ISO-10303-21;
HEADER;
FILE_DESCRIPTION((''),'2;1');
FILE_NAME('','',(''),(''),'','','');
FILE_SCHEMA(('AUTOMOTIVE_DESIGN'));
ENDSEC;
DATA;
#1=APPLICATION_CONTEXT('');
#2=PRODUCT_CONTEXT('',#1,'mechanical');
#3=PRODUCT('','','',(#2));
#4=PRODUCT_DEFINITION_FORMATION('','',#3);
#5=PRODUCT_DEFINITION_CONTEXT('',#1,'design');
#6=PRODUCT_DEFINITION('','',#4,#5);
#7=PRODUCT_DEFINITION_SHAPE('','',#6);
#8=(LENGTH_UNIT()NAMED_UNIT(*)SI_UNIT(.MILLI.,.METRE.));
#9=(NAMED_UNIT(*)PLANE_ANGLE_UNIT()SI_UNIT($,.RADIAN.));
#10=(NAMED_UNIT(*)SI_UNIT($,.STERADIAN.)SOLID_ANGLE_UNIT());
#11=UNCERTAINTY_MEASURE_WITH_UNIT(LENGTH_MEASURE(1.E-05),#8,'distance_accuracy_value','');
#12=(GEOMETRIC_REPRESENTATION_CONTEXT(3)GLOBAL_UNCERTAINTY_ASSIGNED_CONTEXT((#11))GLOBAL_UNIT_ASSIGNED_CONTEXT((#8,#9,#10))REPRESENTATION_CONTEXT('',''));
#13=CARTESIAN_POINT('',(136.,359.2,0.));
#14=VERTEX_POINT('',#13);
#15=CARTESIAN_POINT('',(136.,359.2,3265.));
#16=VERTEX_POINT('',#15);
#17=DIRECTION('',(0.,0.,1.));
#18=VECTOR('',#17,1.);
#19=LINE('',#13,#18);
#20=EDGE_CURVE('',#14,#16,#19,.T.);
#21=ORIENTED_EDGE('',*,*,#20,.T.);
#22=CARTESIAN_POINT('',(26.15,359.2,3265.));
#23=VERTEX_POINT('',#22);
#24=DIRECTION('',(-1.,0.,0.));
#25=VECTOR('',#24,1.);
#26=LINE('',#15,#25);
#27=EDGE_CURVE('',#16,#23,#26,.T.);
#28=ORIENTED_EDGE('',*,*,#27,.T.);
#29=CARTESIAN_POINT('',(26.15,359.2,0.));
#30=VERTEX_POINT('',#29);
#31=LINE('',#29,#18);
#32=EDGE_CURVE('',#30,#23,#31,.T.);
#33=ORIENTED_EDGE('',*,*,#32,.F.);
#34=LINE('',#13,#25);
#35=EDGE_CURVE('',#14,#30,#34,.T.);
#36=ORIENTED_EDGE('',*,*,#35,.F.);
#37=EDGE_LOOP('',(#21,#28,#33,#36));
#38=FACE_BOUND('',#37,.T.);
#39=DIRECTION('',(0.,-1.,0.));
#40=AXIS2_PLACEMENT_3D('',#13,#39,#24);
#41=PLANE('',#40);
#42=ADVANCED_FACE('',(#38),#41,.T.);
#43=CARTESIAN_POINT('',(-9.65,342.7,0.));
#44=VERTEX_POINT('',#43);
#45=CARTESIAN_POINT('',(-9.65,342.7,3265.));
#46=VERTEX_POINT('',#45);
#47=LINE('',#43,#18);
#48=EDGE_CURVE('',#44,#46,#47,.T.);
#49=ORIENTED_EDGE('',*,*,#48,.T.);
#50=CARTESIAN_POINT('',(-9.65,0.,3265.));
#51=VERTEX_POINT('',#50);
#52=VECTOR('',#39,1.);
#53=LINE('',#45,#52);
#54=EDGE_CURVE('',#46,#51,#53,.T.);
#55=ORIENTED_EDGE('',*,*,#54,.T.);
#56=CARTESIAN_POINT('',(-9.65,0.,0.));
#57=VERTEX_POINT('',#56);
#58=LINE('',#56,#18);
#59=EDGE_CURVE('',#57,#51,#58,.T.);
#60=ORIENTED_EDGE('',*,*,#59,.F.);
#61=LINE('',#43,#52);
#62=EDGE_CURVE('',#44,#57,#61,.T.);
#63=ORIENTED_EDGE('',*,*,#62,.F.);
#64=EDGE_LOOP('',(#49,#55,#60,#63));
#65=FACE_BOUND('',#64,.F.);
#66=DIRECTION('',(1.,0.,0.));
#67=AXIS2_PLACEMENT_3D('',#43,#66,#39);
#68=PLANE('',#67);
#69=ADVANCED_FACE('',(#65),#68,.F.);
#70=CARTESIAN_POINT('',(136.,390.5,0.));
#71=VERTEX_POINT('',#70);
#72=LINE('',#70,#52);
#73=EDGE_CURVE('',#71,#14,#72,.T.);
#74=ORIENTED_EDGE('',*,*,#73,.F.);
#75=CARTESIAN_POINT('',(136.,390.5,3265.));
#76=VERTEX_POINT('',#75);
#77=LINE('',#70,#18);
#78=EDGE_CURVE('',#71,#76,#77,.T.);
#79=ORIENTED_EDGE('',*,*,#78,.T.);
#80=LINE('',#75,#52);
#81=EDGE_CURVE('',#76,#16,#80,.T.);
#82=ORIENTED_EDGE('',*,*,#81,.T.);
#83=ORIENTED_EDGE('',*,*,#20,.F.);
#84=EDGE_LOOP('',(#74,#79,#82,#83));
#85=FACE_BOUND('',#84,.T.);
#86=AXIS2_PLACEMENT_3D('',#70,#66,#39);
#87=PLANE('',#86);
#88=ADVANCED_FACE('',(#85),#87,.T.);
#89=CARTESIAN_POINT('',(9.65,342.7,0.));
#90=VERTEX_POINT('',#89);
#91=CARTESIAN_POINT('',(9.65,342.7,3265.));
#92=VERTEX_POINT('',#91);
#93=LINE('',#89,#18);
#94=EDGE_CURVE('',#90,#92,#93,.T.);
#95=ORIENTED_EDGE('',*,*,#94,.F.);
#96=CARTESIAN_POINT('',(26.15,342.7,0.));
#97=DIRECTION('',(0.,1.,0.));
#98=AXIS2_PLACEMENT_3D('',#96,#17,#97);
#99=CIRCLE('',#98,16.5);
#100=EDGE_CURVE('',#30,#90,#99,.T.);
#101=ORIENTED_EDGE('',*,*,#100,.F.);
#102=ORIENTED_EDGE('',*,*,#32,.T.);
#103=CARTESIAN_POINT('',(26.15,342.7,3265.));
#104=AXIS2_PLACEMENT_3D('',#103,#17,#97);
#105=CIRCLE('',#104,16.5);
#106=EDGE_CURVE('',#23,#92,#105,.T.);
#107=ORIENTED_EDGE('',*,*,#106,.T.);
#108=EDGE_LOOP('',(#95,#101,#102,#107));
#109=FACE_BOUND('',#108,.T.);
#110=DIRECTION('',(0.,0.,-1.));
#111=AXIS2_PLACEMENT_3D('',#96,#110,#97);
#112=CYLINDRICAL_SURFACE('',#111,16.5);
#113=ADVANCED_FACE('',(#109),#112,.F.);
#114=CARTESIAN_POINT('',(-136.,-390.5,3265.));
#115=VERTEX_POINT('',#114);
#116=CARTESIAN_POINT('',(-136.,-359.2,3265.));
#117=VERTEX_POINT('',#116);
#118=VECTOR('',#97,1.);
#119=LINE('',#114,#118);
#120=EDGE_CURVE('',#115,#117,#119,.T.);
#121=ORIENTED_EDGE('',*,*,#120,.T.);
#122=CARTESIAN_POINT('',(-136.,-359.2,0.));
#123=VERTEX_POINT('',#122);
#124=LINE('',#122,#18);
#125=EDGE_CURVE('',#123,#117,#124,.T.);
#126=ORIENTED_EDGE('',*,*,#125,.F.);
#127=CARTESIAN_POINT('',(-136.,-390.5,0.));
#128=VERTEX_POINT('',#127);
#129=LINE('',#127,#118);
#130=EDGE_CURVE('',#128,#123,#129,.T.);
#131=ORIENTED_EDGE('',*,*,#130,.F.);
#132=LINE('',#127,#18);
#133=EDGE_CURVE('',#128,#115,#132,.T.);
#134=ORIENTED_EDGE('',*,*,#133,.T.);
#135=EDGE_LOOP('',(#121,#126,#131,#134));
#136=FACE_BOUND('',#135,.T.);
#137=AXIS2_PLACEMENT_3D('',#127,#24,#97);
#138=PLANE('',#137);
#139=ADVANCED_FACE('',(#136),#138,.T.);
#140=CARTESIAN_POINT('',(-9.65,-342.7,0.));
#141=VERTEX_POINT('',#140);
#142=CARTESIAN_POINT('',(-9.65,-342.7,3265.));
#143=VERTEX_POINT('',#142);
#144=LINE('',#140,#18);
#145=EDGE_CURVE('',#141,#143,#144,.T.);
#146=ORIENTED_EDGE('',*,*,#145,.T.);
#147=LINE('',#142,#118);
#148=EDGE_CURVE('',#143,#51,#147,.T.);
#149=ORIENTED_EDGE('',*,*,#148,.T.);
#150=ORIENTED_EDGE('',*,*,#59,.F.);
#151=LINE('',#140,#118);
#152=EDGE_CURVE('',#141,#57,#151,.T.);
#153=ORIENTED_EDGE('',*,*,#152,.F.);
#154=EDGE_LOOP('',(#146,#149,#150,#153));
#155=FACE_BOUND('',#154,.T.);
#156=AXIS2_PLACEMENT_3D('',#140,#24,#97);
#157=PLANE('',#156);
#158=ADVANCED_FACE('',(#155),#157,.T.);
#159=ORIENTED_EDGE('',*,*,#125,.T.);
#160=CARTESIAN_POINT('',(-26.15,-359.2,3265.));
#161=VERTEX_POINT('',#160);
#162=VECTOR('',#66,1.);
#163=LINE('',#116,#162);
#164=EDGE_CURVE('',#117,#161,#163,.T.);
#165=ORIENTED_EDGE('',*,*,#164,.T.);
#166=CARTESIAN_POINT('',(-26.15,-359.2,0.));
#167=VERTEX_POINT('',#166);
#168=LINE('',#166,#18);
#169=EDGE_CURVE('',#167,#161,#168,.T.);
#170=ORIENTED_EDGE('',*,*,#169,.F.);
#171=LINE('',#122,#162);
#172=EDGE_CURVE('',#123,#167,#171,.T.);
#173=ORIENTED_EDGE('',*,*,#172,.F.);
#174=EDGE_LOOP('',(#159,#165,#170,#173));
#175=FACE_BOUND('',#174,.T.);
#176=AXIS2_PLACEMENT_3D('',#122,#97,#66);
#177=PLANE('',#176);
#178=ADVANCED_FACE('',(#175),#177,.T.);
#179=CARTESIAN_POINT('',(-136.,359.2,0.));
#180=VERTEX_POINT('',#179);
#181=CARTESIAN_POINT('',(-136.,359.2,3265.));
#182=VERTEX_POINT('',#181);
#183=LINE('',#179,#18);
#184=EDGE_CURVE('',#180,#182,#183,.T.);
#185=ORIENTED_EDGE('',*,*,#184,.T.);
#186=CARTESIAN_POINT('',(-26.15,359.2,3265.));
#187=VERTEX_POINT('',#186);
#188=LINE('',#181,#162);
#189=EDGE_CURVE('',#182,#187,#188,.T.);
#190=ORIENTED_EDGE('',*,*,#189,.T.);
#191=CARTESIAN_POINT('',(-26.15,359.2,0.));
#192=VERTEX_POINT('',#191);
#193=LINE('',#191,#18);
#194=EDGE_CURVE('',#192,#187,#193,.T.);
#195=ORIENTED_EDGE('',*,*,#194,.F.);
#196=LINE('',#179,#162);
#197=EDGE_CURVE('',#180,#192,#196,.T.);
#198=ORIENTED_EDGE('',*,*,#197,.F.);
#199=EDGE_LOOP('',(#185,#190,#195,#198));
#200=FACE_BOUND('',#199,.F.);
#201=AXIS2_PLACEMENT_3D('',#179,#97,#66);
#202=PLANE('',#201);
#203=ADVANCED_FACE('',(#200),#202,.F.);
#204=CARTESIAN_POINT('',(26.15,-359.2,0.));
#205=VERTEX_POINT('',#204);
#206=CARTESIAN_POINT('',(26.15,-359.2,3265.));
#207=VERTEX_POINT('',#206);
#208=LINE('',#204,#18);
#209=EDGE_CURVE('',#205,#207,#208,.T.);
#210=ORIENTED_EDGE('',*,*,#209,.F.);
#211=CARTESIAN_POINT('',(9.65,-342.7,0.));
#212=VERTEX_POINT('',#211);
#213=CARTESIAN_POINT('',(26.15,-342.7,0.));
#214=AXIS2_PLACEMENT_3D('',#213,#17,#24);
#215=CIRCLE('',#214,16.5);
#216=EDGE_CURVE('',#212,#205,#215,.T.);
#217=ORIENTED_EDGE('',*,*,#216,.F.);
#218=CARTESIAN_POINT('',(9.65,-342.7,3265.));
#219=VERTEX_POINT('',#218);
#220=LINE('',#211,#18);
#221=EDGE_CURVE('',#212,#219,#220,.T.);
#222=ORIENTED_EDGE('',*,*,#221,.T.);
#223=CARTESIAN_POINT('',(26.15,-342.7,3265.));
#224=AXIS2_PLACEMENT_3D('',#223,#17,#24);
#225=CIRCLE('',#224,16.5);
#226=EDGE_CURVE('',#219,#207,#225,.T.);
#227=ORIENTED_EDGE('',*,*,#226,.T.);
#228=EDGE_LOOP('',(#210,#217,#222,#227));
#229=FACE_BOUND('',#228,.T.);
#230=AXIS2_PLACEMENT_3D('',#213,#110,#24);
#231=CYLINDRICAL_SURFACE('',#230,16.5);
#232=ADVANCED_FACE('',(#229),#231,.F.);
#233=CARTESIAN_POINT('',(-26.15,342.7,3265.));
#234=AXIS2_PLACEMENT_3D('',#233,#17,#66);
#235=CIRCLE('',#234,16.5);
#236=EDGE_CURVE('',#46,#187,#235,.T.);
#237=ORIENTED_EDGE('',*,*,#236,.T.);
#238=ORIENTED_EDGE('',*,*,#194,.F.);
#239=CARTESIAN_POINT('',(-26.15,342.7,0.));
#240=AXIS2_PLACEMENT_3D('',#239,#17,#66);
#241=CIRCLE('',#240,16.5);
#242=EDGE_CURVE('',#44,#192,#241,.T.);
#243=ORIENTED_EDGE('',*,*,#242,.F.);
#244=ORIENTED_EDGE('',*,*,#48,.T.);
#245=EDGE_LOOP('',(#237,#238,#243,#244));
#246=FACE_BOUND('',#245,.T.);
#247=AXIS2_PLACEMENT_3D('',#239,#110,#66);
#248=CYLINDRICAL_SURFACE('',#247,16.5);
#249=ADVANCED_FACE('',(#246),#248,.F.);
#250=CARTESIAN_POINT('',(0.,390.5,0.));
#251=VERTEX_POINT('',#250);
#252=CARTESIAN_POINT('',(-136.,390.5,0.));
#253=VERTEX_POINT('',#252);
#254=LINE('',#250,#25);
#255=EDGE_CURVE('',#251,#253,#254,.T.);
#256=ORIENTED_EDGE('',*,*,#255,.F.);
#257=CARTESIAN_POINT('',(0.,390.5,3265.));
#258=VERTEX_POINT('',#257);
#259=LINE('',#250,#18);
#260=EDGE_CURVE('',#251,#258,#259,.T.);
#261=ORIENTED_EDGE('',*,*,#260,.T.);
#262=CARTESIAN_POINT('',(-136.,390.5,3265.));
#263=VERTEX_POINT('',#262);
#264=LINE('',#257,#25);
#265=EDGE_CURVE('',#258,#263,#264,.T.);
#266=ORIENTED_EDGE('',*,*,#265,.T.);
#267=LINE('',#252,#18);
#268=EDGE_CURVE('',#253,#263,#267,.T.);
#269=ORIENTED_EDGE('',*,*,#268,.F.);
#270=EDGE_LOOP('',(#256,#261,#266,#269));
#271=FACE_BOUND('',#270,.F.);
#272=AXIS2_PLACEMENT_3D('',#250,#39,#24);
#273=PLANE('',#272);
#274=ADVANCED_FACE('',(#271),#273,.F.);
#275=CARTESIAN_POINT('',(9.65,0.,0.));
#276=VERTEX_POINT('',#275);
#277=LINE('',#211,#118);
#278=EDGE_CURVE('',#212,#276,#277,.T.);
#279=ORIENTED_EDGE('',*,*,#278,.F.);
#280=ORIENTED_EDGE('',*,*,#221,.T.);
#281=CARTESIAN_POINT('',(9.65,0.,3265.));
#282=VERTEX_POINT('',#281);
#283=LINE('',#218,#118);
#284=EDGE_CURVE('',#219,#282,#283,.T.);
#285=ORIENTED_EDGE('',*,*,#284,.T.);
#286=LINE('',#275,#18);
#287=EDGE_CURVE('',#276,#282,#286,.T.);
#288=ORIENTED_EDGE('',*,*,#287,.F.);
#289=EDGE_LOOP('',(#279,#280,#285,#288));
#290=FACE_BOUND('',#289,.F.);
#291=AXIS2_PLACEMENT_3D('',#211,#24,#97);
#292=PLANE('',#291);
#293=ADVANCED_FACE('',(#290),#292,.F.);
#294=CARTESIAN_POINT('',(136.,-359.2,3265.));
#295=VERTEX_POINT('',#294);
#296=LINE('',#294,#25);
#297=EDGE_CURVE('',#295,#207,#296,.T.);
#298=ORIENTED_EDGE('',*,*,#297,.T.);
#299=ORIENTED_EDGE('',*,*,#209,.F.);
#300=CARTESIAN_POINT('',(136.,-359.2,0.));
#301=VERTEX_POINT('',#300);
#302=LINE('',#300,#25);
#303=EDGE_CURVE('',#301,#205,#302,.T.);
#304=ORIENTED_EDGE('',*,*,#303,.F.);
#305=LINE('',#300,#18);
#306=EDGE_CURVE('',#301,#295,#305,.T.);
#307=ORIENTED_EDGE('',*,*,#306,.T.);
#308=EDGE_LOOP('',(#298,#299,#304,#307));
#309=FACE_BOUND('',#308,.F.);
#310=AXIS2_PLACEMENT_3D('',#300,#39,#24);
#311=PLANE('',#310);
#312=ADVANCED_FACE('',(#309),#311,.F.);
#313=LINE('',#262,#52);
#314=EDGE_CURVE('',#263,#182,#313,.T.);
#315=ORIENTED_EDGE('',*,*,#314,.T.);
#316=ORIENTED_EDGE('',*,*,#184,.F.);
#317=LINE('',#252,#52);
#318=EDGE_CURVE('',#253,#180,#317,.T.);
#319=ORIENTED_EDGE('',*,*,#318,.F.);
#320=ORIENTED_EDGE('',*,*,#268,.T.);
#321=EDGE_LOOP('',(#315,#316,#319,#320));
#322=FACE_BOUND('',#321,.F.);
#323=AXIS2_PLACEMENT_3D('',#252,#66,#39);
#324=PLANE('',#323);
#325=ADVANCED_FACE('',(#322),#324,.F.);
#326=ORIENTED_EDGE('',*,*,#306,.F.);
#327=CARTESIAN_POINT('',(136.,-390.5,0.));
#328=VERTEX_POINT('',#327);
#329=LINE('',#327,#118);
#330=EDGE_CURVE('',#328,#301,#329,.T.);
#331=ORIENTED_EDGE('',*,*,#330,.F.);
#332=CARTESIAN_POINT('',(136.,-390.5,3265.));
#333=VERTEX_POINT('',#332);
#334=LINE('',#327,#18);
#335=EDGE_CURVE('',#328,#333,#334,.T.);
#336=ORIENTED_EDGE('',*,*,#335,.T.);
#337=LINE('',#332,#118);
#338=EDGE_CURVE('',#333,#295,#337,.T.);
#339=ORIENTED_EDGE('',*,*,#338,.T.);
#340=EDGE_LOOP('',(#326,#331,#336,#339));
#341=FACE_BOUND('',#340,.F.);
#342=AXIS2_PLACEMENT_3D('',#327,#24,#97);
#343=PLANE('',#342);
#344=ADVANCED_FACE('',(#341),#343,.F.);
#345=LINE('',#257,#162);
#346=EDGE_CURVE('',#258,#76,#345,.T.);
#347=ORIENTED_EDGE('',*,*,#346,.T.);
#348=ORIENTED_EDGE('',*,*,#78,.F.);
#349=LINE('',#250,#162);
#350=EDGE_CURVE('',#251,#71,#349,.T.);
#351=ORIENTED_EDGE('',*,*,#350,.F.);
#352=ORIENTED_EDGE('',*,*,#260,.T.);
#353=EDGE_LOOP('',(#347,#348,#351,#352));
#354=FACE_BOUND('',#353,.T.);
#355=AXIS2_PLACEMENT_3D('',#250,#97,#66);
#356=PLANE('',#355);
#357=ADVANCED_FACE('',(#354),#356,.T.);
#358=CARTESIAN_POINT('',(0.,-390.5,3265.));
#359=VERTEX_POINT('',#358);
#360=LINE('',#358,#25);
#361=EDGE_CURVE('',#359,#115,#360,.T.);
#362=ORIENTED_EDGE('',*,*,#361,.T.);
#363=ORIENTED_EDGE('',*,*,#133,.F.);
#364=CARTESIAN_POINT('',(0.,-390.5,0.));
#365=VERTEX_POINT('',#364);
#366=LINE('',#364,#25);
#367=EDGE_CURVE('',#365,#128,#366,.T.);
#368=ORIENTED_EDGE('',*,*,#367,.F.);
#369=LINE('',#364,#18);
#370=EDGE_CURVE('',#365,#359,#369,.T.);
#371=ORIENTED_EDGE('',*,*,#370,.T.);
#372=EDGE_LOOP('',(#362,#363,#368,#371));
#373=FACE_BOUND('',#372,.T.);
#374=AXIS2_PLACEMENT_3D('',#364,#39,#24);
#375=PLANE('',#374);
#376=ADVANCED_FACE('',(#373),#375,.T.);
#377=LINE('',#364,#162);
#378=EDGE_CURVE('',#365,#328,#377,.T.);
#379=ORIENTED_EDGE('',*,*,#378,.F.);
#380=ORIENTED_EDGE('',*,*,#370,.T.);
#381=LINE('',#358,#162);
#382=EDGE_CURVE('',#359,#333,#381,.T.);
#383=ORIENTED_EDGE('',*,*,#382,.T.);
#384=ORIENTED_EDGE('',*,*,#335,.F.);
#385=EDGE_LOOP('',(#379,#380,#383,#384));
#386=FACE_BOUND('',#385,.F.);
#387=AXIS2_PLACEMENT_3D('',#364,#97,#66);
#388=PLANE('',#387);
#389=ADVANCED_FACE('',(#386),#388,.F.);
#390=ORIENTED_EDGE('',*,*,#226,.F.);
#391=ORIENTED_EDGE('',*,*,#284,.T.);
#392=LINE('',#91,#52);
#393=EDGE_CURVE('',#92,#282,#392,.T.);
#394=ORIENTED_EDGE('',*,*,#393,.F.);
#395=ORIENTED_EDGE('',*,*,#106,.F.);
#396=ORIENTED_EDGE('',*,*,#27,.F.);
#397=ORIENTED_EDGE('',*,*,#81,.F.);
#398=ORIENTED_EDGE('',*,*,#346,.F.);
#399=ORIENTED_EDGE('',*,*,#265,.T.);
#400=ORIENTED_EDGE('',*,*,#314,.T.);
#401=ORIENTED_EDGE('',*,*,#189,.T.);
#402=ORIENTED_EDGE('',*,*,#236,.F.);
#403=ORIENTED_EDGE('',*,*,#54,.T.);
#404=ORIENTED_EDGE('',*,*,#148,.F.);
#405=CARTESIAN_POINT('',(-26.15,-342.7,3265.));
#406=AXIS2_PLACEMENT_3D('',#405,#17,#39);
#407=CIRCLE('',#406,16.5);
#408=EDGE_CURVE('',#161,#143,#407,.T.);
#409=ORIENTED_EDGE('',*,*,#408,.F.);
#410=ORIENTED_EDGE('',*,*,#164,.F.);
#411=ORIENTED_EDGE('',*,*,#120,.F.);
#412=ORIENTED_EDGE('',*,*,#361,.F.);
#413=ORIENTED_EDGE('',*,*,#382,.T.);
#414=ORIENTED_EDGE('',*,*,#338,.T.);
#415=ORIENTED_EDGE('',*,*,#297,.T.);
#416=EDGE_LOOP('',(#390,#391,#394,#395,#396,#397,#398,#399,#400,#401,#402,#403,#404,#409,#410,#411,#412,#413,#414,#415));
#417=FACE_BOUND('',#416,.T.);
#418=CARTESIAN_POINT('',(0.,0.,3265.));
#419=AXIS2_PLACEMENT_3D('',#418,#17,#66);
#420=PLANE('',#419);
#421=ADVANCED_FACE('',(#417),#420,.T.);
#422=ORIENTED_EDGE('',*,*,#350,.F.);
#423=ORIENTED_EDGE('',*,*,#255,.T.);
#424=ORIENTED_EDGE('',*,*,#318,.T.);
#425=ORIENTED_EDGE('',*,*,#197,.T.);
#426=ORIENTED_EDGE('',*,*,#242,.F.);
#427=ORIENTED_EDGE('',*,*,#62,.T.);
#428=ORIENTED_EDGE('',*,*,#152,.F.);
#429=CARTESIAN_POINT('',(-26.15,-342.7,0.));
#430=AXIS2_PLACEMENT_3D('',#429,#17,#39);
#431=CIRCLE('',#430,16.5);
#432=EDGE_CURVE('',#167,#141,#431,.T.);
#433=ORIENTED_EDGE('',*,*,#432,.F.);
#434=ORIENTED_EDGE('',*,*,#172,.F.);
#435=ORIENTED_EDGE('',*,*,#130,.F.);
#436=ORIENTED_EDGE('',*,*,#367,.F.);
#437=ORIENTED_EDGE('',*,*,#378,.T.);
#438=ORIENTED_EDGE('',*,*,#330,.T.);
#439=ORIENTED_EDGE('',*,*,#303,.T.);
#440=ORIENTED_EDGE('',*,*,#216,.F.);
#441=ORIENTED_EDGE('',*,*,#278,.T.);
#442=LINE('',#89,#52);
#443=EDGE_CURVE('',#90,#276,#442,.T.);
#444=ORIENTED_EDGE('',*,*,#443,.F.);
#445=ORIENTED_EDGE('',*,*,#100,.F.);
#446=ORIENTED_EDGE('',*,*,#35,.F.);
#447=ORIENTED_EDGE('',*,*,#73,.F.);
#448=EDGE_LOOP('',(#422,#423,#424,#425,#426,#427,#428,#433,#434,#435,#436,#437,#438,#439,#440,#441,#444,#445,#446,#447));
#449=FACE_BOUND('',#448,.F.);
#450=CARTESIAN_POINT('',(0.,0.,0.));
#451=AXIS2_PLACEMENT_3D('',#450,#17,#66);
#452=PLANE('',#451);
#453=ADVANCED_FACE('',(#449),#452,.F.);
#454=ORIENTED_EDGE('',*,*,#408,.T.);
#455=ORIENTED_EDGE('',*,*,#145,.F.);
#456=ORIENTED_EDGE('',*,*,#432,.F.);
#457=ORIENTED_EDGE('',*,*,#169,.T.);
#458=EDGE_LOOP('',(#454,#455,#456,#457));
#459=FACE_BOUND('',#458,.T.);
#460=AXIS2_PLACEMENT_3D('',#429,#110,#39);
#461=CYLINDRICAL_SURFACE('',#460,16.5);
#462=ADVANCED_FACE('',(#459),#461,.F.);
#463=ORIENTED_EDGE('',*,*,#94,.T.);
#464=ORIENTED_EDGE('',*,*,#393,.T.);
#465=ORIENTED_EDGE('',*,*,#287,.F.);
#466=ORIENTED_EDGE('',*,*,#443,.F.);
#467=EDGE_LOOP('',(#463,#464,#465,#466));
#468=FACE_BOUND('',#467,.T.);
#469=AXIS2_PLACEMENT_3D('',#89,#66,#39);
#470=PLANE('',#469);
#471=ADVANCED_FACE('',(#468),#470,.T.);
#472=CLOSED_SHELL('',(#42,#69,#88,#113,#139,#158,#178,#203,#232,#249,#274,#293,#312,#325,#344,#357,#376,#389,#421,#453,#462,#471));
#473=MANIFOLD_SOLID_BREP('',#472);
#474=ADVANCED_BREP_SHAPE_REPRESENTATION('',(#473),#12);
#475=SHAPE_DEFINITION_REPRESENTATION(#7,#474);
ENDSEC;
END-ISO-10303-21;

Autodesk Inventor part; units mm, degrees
ref_plane "YZ Plane" through (0, 0, 0) normal (1, 0, 0) x (0, 1, 0)
ref_plane "Start plane" through (0, 0, 0) normal (0, 0, 1) x (1, 0, 0)
ref_plane "End plane" through (0, 0, 3265) normal (0, 0, 1) x (1, 0, 0)
sketch "Sketch" plane through (0, 0, 0) normal (0, 0, 1) x (1, 0, 0)
  line L0 (-136, -390.5) -> (-136, -359.2)
  line L1 (-136, -359.2) -> (-26.15, -359.2)
  line L2 (-9.65, -342.7) -> (-9.65, 0)
  line L3 (-9.65, 0) -> (0, 0) construction
  line L4 (0, 0) -> (0, -390.5) construction
  line L5 (0, -390.5) -> (-136, -390.5)
  line L6 (-60, 0) -> (80, 0) construction
  line L7 (0, -60) -> (0, 80) construction
  line L8 (136, -390.5) -> (136, -359.2)
  line L9 (136, -359.2) -> (26.15, -359.2)
  line L10 (9.65, -342.7) -> (9.65, 0)
  line L11 (9.65, 0) -> (0, 0) construction
  line L12 (0, -390.5) -> (136, -390.5)
  line L13 (-136, 390.5) -> (-136, 359.2)
  line L14 (-136, 359.2) -> (-26.15, 359.2)
  line L15 (-9.65, 342.7) -> (-9.65, 0)
  line L16 (0, 390.5) -> (-136, 390.5)
  line L17 (136, 390.5) -> (136, 359.2)
  line L18 (136, 359.2) -> (26.15, 359.2)
  line L19 (0, 390.5) -> (136, 390.5)
  line L20 (9.65, 342.7) -> (9.65, 0)
  arc A0 (-9.65, 342.7) -> (-26.15, 359.2) centre (-26.15, 342.7) ccw
  arc A1 (26.15, 359.2) -> (9.65, 342.7) centre (26.15, 342.7) ccw
  arc A2 (9.65, -342.7) -> (26.15, -359.2) centre (26.15, -342.7) ccw
  arc A3 (-26.15, -359.2) -> (-9.65, -342.7) centre (-26.15, -342.7) ccw
  line L21 (0, 108) -> (0, -88) construction
  line L22 (-88, 0) -> (108, 0) construction
  point P0 (-9.65, -359.2)
  point P1 (9.65, -359.2)
  point P2 (-9.65, 359.2)
  point P3 (9.65, 359.2)
  dimension "d1" = 390.5
  dimension "d2" = 31.3
  dimension "d3" = 136
  dimension "d4" = 9.65
  dimension "d10" = 16.5
extrude "Body" add sketch "Sketch" along normal up to surface (3265 mm away) from surface at 0
sketch "Sketch4" plane through (0, 0, 0) normal (0, 0, 1) x (1, 0, 0)
  line L0 (0, 0) -> (10, 0)
ref_plane "Work Plane3" through (0, 0, 0) normal (0, -1, 0) x (1, 0, 0)
sketch "Sketch5" plane through (0, 0, 0) normal (0, -1, 0) x (1, 0, 0)
  line L0 (-2, 0) -> (12, 0) projected
  line L1 (-2, 3265) -> (12, 3265) projected
  dimension "d14" = 3265
equation "\"d1\" = 0.5 * G_H"
equation "\"d2\" = G_T1"
equation "\"d3\" = 0.5 * G_W"
equation "\"d4\" = 0.5 * G_T"
equation "\"d10\" = G_IR"
equation "\"d5\" = G_L"
equation "\"G_W\" = 272"
equation "\"G_H\" = 781"
equation "\"G_T\" = 19.3"
equation "\"G_T1\" = 31.3"
equation "\"G_IR\" = 16.5"
equation "\"G_L\" = d14"
equation "\"G_OFFSET_START\" = 0"
equation "\"G_OFFSET_END\" = 0"
equation "\"d12\" = G_OFFSET_END + B_L"
equation "\"B_L\" = 3265"
properties part number "AS 3679-1990 - 760 UB - 244 - 3265" material "Steel, Mild"
